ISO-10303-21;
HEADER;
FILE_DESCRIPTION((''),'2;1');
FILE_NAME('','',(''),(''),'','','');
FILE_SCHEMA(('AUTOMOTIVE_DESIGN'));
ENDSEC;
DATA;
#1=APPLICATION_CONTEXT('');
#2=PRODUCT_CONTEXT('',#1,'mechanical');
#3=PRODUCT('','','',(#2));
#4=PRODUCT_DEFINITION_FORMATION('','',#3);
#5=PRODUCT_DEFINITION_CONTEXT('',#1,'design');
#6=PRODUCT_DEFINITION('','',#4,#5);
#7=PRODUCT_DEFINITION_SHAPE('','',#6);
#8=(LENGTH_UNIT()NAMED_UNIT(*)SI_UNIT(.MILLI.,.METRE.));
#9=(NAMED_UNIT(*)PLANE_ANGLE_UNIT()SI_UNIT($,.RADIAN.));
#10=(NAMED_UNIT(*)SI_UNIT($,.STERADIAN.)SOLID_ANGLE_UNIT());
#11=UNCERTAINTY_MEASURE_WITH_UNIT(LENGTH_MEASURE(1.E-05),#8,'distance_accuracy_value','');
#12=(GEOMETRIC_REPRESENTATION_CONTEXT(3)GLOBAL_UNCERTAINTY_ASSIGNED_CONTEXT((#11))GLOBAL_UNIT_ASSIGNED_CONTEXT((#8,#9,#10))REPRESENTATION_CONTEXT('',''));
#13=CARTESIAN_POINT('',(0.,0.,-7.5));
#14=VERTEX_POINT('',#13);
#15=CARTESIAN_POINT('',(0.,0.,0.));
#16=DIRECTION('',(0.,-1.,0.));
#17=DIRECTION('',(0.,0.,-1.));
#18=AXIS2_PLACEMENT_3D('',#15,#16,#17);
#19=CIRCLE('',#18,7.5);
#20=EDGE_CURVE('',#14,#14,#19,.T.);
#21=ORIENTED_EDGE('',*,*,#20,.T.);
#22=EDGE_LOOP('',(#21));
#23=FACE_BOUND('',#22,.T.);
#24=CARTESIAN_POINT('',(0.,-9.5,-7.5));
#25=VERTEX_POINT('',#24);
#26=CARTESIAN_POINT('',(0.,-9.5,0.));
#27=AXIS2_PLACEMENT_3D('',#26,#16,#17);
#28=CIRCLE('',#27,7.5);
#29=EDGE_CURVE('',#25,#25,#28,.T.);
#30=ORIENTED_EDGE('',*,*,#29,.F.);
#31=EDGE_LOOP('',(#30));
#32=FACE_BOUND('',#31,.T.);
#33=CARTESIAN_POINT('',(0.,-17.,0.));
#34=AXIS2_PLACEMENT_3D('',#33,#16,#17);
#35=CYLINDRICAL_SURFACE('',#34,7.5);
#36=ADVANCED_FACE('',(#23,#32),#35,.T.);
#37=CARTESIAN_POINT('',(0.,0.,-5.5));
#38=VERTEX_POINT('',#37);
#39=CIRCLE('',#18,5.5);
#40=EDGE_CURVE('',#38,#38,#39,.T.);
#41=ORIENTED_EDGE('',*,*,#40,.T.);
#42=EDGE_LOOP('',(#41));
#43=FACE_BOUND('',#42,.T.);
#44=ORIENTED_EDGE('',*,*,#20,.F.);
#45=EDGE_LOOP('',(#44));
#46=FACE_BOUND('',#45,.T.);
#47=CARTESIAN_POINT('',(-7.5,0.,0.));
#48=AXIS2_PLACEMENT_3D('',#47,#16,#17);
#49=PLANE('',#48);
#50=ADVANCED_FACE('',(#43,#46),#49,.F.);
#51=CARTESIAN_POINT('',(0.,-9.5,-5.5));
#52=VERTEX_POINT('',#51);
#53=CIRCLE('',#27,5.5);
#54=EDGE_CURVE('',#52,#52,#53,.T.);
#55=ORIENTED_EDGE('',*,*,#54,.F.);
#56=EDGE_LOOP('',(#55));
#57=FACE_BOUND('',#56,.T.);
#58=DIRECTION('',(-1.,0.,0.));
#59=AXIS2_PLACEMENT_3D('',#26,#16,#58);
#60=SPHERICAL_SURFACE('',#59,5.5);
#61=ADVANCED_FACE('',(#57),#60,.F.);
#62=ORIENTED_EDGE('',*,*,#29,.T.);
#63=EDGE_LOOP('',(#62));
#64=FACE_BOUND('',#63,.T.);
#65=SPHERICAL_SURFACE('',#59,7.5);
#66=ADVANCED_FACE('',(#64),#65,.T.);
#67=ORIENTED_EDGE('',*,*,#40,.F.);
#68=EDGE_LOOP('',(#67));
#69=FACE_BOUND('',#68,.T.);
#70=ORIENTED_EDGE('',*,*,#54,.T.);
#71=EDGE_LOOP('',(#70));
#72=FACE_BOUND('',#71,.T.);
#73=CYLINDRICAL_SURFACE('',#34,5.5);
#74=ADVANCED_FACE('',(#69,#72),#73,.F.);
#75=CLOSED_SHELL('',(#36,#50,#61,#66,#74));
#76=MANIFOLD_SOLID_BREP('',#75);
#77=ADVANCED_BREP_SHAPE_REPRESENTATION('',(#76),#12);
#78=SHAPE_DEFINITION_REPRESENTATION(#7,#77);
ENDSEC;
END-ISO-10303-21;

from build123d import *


with BuildPart() as part:
    # Sketch1 → Revolve1 (revolve)
    with BuildSketch(Plane.XY, mode=Mode.PRIVATE) as revolve1_sk:
        with BuildLine():
            Line((-7.5, 0), (-7.5, -9.5))
            ThreePointArc((-7.5, -9.5), (-5.303300859, -14.803300859), (0, -17))
            Line((0, -17), (0, -15))
            ThreePointArc((0, -15), (-3.889087297, -13.389087297), (-5.5, -9.5))
            Line((-5.5, -9.5), (-5.5, 0))
            Line((-5.5, 0), (-7.5, 0))
        make_face()
    revolve(revolve1_sk.sketch.rotate(Axis((0, -17, 0), (0, 1, 0)), 270), axis=Axis((0, -17, 0), (0, 1, 0)))


solid = part.part
